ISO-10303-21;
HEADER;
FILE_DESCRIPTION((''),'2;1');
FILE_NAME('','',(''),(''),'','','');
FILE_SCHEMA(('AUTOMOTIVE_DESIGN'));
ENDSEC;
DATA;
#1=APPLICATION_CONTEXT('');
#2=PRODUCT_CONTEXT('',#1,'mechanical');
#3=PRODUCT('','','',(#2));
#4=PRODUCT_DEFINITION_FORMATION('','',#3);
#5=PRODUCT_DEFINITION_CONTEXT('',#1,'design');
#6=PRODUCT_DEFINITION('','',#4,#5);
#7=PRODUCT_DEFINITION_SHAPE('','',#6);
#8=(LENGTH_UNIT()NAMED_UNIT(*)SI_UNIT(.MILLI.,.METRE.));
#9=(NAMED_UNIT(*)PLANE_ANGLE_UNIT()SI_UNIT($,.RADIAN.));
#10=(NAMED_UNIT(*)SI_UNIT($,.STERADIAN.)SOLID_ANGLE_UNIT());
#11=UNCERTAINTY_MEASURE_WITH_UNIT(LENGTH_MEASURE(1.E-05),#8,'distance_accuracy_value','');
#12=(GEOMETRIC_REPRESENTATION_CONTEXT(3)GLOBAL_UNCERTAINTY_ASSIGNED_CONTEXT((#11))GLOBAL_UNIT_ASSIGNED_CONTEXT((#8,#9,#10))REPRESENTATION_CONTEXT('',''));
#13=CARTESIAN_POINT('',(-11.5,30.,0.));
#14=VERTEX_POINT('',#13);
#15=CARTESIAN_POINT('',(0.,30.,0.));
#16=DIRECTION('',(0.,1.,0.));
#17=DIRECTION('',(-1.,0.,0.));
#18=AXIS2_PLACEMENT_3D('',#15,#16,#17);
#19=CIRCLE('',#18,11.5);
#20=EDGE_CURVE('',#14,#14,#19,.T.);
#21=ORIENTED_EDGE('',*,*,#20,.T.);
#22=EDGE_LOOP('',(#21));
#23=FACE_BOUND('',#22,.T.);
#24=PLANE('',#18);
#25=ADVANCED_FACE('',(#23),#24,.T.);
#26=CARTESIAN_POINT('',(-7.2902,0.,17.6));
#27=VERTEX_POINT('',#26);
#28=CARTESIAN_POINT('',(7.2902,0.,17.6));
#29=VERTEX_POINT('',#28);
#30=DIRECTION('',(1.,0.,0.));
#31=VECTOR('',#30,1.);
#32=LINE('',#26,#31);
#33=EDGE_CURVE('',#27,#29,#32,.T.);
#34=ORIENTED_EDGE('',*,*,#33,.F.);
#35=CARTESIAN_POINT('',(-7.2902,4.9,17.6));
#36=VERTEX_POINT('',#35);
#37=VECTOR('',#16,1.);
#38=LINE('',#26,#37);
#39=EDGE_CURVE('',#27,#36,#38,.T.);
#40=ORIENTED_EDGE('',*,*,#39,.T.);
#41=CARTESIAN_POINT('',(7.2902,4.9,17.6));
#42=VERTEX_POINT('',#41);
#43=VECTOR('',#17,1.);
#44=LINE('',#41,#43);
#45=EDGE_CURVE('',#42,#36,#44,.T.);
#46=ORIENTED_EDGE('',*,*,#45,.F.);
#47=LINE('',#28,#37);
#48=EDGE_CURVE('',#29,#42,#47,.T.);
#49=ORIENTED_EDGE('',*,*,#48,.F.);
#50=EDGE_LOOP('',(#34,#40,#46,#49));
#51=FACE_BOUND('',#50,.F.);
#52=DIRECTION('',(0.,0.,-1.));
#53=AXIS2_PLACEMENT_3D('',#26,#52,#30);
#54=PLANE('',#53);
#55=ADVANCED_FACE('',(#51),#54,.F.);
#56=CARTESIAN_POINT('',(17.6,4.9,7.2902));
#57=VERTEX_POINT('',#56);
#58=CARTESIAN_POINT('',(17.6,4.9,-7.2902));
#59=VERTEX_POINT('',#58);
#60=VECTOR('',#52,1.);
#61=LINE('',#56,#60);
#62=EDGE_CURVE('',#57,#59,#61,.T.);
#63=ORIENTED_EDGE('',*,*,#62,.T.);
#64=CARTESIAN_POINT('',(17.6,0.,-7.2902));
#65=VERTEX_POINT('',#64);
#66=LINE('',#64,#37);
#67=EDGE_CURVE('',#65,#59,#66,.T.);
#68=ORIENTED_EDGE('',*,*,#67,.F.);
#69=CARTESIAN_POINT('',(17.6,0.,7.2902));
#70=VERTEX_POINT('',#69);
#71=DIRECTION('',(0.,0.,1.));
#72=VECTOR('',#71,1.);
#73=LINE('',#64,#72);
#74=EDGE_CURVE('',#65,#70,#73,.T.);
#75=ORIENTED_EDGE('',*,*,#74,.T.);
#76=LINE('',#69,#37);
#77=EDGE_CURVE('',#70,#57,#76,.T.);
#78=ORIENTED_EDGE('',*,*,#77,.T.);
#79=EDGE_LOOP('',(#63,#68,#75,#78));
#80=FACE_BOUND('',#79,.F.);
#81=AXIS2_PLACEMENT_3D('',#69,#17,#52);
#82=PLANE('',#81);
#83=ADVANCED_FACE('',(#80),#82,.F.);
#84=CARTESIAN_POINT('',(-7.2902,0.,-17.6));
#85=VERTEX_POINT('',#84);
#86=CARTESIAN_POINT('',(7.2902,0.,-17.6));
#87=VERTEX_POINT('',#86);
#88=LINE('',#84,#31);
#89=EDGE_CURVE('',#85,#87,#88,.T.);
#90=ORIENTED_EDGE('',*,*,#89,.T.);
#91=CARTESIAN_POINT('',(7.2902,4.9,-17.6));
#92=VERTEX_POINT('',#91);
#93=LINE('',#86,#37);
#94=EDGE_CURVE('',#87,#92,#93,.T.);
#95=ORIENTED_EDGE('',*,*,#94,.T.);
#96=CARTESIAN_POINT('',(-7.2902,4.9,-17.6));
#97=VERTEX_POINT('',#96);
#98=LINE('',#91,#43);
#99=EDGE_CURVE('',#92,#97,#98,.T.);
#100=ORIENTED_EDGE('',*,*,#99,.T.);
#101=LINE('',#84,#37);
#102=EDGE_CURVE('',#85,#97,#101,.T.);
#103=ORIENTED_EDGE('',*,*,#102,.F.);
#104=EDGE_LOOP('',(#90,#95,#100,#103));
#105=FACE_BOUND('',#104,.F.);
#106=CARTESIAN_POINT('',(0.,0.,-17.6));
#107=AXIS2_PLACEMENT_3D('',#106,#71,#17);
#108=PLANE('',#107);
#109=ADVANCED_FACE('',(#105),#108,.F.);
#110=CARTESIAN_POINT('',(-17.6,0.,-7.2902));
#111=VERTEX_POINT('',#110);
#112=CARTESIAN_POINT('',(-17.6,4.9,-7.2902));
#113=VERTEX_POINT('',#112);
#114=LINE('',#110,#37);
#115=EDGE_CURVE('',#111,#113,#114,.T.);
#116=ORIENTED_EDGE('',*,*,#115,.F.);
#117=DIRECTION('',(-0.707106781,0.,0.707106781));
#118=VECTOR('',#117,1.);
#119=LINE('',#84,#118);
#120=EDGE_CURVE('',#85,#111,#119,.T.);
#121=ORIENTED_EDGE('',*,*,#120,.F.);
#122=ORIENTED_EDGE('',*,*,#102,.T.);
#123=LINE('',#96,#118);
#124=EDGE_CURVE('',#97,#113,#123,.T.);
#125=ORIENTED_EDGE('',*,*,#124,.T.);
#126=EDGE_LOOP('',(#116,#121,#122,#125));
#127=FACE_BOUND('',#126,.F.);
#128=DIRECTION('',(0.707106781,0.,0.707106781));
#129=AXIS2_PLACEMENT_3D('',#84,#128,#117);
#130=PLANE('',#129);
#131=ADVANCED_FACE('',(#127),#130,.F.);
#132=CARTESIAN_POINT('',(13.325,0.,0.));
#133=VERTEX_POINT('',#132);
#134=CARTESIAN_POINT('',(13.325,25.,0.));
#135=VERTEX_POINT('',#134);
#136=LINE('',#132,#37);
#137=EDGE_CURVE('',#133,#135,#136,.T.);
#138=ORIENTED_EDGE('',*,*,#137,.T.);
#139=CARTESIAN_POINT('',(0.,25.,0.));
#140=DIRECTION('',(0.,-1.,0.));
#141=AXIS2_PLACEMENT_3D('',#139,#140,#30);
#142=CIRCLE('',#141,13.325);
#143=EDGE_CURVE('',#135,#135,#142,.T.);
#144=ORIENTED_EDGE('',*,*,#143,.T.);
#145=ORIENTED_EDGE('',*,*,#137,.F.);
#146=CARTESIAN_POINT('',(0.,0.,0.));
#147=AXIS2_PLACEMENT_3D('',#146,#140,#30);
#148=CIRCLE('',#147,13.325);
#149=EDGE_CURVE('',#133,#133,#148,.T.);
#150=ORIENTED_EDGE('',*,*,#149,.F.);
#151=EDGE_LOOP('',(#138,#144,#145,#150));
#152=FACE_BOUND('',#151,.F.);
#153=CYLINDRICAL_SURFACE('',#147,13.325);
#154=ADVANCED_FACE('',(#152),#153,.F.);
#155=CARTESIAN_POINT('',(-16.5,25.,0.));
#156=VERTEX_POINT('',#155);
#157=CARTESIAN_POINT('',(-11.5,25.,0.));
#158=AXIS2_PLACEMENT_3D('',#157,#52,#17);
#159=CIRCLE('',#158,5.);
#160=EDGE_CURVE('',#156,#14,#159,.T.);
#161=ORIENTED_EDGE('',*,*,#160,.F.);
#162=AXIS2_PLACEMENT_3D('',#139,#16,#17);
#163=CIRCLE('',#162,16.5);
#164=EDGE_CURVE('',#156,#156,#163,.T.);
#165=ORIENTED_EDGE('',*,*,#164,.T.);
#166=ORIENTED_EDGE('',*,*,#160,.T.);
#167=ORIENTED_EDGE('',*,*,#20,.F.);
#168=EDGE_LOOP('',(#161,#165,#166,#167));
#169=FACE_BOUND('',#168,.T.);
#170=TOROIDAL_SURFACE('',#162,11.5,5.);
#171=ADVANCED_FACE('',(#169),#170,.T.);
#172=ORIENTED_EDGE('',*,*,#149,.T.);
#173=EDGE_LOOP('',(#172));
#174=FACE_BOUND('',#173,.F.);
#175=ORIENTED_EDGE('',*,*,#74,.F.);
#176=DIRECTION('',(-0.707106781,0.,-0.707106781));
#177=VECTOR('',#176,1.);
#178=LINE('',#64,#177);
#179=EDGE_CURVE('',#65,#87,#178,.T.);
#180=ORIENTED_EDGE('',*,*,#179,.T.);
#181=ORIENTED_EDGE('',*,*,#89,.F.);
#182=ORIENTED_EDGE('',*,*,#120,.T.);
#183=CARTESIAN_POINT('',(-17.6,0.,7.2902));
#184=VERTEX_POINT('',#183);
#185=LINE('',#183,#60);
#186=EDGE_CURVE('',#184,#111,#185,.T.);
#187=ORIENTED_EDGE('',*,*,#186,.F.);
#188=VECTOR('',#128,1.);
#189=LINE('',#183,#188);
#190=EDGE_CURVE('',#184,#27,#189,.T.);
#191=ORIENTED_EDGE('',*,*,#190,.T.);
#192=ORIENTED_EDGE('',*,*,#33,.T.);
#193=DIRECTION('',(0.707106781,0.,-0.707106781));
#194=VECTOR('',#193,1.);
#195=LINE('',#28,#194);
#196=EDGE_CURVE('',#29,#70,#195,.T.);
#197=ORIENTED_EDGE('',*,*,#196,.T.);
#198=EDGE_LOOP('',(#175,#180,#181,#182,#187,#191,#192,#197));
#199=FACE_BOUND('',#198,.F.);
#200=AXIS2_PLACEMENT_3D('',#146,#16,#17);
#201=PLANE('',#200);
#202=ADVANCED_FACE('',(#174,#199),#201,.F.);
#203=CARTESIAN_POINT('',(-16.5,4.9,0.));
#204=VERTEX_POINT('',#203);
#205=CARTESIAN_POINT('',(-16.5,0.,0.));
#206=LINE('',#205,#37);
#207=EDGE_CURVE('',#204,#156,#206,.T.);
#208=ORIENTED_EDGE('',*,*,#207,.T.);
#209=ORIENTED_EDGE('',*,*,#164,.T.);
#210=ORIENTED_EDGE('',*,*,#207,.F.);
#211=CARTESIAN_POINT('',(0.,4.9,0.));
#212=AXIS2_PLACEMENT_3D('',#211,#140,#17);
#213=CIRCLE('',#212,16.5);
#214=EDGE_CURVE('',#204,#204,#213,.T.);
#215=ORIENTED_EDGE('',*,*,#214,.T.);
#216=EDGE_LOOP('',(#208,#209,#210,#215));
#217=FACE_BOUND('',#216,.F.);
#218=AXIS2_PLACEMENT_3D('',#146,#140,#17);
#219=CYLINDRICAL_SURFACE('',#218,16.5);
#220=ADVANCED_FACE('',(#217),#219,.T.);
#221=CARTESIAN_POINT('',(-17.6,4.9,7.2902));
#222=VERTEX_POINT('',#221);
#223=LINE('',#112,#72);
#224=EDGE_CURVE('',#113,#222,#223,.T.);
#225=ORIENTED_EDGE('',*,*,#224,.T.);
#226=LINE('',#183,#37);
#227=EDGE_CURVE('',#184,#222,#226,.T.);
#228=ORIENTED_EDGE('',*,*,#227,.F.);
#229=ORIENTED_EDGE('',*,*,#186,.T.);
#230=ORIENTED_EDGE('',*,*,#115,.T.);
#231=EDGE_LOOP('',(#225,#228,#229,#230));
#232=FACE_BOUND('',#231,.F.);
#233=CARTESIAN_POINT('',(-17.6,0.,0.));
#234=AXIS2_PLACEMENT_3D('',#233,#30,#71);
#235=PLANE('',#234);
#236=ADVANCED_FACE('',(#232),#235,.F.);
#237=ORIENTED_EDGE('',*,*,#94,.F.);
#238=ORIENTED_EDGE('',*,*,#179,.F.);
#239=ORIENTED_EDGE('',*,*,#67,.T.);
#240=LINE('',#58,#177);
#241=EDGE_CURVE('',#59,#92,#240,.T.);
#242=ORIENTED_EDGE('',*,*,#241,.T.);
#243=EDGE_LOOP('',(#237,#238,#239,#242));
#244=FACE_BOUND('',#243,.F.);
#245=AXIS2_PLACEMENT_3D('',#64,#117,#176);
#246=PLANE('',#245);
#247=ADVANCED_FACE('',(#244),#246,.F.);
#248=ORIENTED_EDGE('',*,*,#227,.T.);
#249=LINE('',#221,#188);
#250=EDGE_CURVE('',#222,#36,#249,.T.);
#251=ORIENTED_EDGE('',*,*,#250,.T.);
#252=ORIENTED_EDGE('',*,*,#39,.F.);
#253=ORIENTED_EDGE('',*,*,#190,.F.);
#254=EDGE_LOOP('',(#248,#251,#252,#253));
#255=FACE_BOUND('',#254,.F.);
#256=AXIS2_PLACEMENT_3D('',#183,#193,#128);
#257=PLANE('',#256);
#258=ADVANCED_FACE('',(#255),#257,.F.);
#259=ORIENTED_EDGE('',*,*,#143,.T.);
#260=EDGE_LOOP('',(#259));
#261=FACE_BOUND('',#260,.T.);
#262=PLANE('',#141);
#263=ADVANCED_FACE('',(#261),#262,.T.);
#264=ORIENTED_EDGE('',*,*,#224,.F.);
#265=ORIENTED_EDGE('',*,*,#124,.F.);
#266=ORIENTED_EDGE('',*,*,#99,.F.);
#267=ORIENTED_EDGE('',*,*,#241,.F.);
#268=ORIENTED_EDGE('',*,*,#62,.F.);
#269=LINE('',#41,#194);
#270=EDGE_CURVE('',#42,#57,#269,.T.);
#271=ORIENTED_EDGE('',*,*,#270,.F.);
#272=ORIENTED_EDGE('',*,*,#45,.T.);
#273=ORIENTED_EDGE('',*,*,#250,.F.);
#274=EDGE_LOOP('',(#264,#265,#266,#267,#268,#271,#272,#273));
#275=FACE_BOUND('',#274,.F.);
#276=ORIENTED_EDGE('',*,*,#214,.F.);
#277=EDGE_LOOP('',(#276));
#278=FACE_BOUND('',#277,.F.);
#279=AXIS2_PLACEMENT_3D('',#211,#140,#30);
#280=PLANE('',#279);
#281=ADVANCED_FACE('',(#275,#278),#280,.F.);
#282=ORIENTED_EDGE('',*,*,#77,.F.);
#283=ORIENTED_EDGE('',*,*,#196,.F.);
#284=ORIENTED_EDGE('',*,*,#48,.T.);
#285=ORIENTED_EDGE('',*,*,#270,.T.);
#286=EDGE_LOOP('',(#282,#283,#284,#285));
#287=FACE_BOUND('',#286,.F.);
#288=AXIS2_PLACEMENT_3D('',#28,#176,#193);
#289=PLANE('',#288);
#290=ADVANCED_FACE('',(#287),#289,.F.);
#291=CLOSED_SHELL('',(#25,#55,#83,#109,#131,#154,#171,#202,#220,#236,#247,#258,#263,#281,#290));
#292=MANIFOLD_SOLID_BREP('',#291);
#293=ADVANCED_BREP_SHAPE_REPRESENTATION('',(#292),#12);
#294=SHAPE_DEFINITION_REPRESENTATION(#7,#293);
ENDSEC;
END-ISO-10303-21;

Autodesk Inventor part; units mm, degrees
ref_plane "YZ Plane" through (0, 0, 0) normal (1, 0, 0) x (0, 1, 0)
ref_plane "XZ Plane" through (0, 0, 0) normal (0, 1, 0) x (-1, 0, 0)
ref_plane "XY Plane" through (0, 0, 0) normal (0, 0, 1) x (1, 0, 0)
sketch "Boceto1" plane through (0, 0, 0) normal (0, 1, 0) x (-1, 0, 0)
  circle A0 centre (0, 0) radius 16.5
  dimension "d0" = 33
extrude "Extrusión1" add sketch "Boceto1" along normal blind 30
sketch "Boceto2" plane through (0, 0, 0) normal (0, -1, 0) x (1, 0, 0)
  line L0 (-7.2902, 17.6) -> (7.2902, 17.6)
  line L1 (17.6, 7.2902) -> (17.6, -7.2902)
  line L2 (7.2902, -17.6) -> (-7.2902, -17.6)
  line L3 (-17.6, -7.2902) -> (-17.6, 7.2902)
  line L4 (-17.6, 17.6) -> (17.6, -17.6) construction
  line L5 (17.6, 17.6) -> (-17.6, -17.6) construction
  line L6 (-17.6, 7.2902) -> (-7.2902, 17.6)
  line L7 (-24.8902, 0) -> (10.3098, 0) construction
  line L8 (7.2902, 17.6) -> (17.6, 7.2902)
  line L9 (17.6, -7.2902) -> (7.2902, -17.6)
  line L10 (-7.2902, -17.6) -> (-17.6, -7.2902)
  line L11 (-24.8902, 0) -> (24.8902, 0)
  line L12 (0, -24.8902) -> (0, 24.8902)
  point P0 (0, 0)
  point P1 (0, 0)
  dimension "d3" = 35.2
  dimension "d4" = 35.2
  dimension "d5" = 35.2
  dimension "d6" = 45
  dimension "d7" = 35.2
extrude "Extrusión2" add sketch "Boceto2" against normal blind 4.9
fillet "Empalme1" radius 5 1 edges at (16.5, 30, 0)
sketch "Boceto3" plane through (0, 0, 0) normal (0, -1, 0) x (1, 0, 0)
  circle A0 centre (0, 0) radius 13.325
  dimension "d11" = 26.65
extrude "Extrusión3" cut sketch "Boceto3" against normal blind 25
properties part number "Tapón" material "PVC, no plastificado"
